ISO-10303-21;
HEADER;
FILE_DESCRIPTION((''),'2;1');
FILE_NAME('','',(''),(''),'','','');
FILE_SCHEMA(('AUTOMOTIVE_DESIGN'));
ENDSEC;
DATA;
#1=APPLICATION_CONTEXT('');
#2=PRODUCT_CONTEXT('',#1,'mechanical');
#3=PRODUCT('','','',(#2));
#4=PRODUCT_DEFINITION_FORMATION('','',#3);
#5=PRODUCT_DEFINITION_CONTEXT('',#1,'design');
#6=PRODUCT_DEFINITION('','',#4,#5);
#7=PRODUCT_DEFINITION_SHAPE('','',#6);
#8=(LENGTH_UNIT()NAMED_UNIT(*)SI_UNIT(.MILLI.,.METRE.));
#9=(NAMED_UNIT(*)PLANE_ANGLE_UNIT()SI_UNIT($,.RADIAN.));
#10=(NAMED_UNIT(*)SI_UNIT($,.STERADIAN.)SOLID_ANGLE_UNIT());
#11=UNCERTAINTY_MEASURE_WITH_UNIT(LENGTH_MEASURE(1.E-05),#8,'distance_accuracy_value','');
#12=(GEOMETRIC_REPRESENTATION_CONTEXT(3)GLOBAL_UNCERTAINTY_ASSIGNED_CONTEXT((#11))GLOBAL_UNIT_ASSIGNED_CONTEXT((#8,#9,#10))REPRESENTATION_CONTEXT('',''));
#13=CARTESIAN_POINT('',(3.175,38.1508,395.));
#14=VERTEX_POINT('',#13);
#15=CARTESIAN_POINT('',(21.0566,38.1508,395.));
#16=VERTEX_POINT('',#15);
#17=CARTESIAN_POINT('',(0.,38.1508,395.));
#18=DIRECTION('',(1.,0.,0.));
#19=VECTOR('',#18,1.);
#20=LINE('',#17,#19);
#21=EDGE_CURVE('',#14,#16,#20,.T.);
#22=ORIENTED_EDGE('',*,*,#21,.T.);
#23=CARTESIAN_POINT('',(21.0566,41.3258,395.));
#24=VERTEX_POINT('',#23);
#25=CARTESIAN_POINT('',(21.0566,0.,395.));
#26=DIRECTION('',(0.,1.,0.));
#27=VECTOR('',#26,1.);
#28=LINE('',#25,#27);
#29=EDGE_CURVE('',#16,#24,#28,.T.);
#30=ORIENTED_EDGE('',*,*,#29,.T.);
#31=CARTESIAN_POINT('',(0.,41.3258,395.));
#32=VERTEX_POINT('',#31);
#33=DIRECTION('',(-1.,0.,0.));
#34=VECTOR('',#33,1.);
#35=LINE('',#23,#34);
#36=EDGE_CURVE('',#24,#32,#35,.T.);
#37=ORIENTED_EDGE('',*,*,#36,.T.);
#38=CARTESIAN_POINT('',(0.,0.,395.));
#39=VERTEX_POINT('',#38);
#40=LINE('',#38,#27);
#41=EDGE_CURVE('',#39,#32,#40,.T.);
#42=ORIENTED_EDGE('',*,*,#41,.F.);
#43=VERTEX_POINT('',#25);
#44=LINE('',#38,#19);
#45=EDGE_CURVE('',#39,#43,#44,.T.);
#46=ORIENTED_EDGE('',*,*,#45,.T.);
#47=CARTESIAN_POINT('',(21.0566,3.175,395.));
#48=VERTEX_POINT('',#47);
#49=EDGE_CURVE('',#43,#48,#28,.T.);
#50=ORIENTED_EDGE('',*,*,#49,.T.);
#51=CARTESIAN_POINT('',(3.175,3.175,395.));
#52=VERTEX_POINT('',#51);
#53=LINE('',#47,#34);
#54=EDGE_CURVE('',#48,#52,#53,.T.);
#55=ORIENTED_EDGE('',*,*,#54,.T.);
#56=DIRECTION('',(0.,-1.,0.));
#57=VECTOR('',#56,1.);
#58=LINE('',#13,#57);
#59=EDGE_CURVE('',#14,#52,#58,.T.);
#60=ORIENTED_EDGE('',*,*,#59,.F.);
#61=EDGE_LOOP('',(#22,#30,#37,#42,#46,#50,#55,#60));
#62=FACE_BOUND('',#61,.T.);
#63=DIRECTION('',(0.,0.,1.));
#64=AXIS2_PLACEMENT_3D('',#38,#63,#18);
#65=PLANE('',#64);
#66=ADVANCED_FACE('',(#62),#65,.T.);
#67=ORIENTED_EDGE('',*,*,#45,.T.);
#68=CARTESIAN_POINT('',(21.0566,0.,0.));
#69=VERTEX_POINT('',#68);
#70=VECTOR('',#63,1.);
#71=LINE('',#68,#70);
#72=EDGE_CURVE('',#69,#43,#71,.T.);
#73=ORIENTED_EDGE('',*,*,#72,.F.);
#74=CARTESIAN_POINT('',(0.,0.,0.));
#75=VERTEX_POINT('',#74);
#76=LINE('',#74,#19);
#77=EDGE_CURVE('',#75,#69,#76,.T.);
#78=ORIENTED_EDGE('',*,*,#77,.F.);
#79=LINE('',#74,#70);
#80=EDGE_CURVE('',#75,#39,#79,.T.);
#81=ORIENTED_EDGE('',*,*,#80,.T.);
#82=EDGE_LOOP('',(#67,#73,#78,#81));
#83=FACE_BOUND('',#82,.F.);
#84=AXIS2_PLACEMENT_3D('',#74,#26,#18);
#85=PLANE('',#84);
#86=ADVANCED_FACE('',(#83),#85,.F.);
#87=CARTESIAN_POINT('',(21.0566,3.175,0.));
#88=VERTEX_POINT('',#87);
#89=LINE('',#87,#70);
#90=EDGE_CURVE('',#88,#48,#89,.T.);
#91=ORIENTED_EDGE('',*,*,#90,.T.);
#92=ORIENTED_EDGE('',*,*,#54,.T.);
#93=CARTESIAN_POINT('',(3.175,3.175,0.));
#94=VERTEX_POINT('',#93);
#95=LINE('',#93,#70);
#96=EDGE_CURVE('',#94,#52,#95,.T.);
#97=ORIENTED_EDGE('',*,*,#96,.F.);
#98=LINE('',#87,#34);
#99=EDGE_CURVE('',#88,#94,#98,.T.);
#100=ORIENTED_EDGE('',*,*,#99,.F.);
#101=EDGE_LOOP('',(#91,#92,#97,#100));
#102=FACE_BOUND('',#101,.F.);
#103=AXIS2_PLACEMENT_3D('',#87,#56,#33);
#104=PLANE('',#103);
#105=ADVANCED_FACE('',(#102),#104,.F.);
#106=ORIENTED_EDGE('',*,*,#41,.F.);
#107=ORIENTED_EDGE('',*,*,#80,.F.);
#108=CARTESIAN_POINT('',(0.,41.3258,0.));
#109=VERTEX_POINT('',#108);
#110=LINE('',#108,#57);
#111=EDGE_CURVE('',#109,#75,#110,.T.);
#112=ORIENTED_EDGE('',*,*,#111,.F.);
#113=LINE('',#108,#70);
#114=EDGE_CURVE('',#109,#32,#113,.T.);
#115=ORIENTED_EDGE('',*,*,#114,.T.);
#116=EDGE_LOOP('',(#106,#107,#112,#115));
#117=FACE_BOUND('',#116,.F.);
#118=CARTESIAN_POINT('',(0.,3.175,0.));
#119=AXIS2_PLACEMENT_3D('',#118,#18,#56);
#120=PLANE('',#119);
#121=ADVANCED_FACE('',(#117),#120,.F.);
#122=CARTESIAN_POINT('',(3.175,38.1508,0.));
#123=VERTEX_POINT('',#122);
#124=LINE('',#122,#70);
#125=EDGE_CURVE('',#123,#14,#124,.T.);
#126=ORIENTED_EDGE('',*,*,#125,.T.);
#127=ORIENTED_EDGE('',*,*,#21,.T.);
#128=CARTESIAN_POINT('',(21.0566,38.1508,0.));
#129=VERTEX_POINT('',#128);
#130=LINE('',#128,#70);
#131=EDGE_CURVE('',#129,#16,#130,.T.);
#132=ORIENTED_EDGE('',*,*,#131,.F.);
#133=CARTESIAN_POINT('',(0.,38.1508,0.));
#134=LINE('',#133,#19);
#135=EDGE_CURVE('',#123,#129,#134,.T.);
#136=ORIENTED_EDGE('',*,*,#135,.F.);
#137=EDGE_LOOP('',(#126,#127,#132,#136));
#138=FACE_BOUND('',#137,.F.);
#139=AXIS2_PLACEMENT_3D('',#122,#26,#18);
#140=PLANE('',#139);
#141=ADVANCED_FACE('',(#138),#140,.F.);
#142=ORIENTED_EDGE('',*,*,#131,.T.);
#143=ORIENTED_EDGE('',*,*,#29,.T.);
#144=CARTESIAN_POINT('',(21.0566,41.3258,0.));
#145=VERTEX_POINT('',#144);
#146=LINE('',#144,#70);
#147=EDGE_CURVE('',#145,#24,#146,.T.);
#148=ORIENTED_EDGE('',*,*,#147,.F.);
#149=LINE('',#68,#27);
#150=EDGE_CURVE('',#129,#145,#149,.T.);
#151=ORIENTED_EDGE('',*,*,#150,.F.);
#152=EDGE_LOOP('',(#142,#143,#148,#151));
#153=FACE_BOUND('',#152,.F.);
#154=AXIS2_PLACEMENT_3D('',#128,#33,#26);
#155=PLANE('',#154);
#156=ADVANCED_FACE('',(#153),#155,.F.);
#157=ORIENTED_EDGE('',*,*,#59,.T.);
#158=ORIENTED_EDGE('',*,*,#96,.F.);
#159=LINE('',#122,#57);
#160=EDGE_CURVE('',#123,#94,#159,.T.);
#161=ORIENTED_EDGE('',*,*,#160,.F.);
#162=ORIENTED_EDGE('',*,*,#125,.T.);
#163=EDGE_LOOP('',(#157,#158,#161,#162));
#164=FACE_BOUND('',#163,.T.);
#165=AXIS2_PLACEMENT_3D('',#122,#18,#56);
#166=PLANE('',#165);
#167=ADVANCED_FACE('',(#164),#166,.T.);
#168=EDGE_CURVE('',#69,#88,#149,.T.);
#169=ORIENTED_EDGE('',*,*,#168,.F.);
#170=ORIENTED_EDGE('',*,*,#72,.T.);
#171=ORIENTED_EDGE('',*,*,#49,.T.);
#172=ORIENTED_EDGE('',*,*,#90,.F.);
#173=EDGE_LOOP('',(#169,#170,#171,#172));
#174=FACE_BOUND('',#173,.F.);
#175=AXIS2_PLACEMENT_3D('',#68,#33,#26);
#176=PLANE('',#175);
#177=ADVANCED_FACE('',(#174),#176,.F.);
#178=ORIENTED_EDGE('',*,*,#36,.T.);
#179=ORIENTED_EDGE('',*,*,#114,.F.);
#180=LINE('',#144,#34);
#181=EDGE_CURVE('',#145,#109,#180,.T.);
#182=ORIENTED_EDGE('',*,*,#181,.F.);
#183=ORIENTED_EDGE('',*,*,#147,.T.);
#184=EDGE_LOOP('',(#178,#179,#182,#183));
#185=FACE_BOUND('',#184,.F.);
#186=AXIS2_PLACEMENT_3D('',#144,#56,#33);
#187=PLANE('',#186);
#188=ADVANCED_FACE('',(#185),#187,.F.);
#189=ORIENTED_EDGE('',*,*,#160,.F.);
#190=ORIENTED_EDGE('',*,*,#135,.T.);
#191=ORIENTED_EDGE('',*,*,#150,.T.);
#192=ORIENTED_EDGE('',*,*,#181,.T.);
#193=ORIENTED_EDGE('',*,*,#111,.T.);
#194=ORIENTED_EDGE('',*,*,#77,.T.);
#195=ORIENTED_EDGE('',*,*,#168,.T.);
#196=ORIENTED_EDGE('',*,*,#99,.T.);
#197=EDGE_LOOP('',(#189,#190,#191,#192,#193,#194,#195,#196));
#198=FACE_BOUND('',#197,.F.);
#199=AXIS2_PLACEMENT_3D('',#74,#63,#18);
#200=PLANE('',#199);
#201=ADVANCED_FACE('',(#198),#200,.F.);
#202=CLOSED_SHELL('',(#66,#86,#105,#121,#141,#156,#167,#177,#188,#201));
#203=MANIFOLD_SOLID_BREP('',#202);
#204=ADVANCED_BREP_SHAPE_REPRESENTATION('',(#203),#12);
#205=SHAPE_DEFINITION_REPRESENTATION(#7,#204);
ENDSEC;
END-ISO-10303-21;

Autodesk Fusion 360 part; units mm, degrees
sketch "Sketch1" plane through (0, 0, 0) normal (0, 0, 1) x (1, 0, 0)
  line L0 (0, 0) -> (21.0566, 0)
  line L1 (21.0566, 0) -> (21.0566, 41.3258)
  line L2 (21.0566, 41.3258) -> (0, 41.3258)
  line L3 (0, 41.3258) -> (0, 0)
  line L4 (0, 20.6629) -> (21.0566, 20.6629) construction
  line L5 (0, 38.1508) -> (21.0566, 38.1508)
  line L6 (21.0566, 38.1508) -> (21.0566, 3.175) construction
  line L7 (21.0566, 3.175) -> (0, 3.175)
  line L8 (0, 3.175) -> (0, 38.1508) construction
  line L9 (0, 38.1508) -> (21.0566, 3.175) construction
  line L10 (21.0566, 38.1508) -> (0, 3.175) construction
  line L11 (3.175, 38.1508) -> (3.175, 3.175)
  point P0 (10.5283, 20.6629)
  point P1 (0, 20.6629)
  dimension "d1" = 41.3258
  dimension "d2" = 21.0566
  dimension "d3" = 3.175
  dimension "d4" = 3.175
extrude "Extrude1" add sketch "Sketch1" along normal blind 395 contours L0 L1 L3 L7 | L3 L5 L7 L11 | L1 L2 L3 L5
sketch "Sketch2" plane through (0, 0, 395) normal (0, 0, 1) x (-1, 0, 0)
  line L0 (-21.0566, -38.1508) -> (-21.0566, -41.3258)
  line L1 (-21.0566, -41.3258) -> (0, -41.3258)
  line L2 (0, -41.3258) -> (0, 0)
  line L3 (0, 0) -> (-21.0566, 0)
  line L4 (-21.0566, 0) -> (-21.0566, -3.175)
  line L5 (-21.0566, -3.175) -> (-3.175, -3.175)
  line L6 (-3.175, -3.175) -> (-3.175, -38.1508)
  line L7 (-3.175, -38.1508) -> (-21.0566, -38.1508)
  point P0 (0, -20.6629)
